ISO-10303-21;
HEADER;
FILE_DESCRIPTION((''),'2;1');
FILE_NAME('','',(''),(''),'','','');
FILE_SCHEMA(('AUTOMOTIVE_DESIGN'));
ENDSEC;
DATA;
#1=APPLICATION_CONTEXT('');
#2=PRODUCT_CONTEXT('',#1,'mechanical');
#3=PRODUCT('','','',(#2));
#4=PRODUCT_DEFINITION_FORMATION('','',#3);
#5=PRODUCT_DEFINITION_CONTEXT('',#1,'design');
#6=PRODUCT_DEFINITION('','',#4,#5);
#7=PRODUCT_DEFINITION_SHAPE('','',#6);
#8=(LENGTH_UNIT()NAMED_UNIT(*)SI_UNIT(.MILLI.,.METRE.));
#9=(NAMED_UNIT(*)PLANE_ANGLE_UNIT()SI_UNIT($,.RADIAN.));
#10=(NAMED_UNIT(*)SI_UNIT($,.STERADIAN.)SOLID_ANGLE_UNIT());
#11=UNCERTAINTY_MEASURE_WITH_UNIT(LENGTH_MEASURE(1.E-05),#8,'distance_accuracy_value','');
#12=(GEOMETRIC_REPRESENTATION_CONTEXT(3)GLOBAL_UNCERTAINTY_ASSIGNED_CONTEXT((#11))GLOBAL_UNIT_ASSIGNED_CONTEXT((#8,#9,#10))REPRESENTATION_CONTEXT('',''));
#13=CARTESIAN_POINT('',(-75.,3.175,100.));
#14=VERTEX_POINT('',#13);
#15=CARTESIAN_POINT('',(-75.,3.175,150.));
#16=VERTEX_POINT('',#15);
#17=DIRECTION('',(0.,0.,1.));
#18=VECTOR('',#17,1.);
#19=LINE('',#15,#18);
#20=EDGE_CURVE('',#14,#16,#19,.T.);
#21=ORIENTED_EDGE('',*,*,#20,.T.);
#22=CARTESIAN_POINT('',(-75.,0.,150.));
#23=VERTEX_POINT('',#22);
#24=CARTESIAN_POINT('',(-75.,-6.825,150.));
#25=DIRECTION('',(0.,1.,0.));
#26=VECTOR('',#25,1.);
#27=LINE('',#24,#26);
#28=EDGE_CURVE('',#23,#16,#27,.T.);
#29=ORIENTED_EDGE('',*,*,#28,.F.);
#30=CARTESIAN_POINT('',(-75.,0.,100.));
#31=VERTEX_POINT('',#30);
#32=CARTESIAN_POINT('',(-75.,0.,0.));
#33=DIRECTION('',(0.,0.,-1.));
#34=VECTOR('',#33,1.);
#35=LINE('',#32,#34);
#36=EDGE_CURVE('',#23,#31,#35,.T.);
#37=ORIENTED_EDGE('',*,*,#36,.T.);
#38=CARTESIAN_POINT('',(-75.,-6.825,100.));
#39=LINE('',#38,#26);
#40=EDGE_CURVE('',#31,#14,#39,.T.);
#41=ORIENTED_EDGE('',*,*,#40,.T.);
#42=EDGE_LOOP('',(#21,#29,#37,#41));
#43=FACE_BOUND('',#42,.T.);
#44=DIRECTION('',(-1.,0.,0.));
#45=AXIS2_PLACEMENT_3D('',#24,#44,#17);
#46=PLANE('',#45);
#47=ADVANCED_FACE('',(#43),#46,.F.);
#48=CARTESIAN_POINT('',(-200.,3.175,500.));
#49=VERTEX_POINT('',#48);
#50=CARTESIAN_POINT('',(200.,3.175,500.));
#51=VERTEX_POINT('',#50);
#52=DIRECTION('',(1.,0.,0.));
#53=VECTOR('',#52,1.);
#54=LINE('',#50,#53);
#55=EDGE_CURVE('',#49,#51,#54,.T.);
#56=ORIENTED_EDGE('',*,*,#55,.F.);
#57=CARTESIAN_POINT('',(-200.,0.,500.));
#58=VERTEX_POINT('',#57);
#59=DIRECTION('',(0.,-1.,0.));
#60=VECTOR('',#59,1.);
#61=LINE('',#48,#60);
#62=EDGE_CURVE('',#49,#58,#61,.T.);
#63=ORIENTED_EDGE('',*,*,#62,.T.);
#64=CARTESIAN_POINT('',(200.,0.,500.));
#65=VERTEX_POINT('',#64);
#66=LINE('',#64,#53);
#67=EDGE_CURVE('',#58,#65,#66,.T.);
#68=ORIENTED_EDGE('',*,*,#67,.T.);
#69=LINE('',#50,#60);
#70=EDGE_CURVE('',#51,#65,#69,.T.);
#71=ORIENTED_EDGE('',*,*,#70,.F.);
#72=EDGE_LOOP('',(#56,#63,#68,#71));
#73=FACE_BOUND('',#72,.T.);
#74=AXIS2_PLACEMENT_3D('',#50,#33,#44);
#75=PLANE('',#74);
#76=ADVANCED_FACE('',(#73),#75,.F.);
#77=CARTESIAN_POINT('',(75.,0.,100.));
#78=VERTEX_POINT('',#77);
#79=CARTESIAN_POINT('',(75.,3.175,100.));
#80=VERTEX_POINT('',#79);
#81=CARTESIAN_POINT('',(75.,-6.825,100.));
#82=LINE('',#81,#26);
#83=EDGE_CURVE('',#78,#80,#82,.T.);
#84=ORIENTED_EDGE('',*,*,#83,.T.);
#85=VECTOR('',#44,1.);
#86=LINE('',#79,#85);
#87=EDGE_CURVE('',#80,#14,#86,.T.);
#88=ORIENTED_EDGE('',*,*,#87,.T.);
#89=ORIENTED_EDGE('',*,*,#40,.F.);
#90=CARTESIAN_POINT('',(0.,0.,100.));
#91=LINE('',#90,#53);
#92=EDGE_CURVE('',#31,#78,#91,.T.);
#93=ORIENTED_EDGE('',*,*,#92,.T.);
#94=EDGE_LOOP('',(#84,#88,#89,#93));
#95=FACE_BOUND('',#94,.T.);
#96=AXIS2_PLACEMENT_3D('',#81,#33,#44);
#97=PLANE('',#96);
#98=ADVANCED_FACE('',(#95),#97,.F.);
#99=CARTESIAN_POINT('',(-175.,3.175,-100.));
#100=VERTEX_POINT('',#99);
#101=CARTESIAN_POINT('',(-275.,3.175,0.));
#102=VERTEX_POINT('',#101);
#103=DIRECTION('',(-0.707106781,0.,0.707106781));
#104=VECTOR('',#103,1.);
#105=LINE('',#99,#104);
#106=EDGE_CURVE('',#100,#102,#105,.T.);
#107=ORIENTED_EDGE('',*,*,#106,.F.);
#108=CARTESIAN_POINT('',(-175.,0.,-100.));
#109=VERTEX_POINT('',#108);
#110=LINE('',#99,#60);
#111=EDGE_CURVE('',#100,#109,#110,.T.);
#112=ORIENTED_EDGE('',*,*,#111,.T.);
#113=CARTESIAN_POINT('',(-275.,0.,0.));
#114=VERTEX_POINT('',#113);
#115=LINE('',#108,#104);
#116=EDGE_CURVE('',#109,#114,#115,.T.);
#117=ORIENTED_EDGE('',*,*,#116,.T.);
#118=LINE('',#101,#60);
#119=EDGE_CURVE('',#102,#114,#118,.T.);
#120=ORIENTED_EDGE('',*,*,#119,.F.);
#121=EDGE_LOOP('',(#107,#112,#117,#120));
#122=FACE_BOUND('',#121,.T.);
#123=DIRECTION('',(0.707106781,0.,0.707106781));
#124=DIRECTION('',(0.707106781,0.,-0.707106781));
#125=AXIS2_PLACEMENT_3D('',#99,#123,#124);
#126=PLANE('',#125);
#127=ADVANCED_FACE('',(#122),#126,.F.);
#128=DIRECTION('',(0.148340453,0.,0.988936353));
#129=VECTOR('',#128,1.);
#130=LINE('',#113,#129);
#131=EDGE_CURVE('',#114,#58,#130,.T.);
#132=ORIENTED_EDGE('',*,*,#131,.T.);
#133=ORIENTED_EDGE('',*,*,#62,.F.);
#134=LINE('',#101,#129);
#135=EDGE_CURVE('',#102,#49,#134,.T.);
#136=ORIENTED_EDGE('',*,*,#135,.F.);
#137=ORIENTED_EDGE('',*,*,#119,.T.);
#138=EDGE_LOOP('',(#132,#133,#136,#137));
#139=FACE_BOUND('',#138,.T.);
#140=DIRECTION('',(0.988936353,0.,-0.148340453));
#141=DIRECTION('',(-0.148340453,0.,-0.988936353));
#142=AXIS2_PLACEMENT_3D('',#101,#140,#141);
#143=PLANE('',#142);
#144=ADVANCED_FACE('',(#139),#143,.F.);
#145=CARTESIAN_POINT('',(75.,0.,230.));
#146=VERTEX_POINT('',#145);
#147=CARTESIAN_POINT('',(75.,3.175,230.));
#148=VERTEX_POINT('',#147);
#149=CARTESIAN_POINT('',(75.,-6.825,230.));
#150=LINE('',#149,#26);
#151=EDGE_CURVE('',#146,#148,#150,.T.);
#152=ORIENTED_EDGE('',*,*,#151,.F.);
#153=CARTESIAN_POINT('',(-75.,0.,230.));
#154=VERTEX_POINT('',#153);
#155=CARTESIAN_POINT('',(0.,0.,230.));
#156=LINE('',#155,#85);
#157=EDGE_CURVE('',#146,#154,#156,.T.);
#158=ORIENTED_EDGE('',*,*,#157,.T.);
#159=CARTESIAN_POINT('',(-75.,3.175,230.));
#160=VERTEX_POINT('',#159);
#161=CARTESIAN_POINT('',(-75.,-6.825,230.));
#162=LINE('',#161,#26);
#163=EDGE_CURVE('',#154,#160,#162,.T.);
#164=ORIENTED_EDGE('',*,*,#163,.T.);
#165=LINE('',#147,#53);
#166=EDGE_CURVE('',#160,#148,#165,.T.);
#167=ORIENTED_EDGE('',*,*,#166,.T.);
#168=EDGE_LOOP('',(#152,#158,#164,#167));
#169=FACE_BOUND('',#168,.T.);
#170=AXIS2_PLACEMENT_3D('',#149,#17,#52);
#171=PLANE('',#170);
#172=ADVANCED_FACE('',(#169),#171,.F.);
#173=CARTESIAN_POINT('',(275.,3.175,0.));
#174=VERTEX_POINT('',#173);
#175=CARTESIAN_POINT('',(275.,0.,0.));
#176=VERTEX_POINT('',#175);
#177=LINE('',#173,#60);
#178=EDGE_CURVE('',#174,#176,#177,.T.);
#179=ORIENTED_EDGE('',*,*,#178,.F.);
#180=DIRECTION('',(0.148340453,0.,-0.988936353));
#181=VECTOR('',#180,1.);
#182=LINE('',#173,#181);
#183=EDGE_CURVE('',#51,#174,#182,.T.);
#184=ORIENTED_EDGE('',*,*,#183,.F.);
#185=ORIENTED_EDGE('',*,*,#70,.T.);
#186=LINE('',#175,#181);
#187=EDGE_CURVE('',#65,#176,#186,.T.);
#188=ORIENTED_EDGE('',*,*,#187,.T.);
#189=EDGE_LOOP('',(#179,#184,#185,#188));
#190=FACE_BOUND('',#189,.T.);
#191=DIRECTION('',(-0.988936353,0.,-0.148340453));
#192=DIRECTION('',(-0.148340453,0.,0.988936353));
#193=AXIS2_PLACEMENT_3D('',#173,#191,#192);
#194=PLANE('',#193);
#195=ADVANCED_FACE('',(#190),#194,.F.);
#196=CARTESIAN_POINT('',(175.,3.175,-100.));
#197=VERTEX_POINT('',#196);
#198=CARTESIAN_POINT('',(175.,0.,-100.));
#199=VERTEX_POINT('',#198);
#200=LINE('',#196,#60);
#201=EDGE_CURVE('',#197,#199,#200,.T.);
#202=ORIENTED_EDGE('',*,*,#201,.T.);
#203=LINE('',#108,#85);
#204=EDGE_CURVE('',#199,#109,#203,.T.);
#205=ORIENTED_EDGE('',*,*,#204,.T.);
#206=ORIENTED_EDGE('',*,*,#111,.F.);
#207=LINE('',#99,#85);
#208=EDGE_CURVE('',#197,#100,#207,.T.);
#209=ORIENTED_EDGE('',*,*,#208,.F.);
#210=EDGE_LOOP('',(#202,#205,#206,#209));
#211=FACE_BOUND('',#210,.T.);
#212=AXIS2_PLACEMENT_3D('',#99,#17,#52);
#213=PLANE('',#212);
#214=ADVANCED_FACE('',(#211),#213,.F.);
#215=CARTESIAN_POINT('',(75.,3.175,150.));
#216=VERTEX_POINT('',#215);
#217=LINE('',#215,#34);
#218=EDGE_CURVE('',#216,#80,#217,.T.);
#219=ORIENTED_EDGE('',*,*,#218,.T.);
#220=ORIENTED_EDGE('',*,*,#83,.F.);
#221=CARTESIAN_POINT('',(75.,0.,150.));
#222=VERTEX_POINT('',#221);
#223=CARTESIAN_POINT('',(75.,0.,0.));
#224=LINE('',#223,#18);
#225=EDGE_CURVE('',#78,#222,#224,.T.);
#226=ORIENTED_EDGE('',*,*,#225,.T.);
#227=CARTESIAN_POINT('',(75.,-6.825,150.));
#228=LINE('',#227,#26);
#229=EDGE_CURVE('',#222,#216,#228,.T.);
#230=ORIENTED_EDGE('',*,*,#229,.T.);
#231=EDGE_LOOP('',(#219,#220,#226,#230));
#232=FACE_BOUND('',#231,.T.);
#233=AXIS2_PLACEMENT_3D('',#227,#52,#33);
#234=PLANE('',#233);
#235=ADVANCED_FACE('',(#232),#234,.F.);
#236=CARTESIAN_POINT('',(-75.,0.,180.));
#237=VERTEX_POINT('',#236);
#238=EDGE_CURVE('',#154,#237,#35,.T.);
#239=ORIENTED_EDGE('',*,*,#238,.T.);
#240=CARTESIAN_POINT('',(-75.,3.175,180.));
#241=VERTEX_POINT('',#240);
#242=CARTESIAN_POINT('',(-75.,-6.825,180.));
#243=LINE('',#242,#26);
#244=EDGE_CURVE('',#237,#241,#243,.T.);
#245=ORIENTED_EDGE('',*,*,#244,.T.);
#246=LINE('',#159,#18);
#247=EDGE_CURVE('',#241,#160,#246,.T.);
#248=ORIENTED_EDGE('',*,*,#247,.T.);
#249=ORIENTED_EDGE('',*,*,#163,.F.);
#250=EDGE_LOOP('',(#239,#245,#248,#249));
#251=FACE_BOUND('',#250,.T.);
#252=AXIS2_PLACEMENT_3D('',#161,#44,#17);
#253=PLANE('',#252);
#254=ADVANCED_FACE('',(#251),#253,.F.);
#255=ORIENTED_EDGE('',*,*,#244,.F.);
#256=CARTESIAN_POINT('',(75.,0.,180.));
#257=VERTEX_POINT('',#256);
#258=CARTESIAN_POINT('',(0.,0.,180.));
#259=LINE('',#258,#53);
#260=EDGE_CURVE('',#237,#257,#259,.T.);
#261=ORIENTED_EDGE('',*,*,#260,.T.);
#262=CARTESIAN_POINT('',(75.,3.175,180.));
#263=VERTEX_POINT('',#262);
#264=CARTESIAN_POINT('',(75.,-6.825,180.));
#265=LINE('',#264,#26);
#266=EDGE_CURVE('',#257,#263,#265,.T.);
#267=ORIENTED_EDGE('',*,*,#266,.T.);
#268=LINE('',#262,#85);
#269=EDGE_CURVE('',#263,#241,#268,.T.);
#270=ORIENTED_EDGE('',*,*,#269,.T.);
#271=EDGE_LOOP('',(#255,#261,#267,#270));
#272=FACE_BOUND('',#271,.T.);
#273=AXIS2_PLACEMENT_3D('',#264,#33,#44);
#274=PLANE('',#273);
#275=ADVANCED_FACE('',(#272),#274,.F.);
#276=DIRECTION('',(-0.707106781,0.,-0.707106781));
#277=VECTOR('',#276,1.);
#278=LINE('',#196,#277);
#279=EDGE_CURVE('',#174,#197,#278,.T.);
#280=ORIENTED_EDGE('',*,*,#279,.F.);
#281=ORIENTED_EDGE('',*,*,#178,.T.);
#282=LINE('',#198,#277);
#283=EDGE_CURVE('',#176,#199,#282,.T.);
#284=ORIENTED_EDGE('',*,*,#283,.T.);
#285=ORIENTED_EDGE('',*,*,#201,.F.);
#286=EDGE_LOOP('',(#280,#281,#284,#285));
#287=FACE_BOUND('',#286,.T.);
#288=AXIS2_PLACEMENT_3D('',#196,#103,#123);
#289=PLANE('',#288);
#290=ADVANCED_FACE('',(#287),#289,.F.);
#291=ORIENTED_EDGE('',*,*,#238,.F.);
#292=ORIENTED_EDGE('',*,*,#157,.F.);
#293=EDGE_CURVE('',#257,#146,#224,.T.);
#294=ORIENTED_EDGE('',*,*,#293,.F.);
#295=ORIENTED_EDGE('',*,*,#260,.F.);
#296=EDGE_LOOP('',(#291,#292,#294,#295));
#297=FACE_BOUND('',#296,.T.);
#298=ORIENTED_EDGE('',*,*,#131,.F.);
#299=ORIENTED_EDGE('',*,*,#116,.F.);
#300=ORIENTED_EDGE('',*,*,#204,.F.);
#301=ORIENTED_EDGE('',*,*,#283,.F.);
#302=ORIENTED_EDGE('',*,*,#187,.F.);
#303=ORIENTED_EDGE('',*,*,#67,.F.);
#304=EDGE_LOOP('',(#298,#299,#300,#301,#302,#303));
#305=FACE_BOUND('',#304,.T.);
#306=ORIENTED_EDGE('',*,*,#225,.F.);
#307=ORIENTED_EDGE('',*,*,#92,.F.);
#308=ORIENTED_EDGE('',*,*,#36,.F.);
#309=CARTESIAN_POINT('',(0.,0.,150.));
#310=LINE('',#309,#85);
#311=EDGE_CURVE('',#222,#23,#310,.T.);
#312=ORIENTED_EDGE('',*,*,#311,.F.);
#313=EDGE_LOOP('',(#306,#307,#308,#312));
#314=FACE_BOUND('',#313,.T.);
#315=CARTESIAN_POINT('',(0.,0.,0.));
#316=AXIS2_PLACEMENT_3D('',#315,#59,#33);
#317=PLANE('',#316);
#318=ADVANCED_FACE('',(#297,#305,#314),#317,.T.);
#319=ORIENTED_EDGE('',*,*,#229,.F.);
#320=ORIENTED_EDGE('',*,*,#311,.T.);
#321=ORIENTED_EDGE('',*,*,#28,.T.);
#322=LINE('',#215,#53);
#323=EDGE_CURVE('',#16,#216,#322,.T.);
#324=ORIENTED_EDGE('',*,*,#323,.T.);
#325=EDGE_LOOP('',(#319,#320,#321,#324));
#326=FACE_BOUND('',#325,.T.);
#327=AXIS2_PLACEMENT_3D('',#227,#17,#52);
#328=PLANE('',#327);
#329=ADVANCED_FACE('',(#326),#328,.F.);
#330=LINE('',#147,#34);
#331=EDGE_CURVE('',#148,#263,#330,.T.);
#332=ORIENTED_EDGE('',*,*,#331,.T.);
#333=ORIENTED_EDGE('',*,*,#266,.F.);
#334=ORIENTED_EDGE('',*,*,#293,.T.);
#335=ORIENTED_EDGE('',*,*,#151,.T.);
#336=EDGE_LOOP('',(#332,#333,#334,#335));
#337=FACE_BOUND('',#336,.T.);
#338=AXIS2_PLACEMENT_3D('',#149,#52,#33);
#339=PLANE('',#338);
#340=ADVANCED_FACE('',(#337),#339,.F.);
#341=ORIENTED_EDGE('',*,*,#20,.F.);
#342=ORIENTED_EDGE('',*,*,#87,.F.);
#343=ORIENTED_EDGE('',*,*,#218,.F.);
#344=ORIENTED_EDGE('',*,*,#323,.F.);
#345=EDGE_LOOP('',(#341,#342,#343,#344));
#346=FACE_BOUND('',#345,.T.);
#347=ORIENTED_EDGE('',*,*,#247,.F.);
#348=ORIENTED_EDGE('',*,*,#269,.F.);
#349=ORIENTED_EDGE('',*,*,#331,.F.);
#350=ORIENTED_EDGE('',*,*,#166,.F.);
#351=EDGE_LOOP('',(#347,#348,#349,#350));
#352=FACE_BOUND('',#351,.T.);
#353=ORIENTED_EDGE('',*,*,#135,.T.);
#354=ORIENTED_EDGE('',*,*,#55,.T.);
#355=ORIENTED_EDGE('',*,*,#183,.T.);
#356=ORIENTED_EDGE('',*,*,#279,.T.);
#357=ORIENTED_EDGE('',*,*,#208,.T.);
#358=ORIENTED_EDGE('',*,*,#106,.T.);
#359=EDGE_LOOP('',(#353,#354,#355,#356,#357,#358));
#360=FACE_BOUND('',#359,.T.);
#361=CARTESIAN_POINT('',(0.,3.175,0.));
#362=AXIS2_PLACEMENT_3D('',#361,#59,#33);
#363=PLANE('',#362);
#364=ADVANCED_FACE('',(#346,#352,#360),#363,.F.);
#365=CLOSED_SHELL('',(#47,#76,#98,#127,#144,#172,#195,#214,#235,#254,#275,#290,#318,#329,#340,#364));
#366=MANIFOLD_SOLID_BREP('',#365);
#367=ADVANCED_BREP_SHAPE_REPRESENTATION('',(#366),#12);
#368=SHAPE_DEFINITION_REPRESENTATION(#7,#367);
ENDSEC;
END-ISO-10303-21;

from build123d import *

# Parameters (mm, degrees)
BOSS_EXTRUDE1_DEPTH = 3.175
SKETCH2_W           = 150
SKETCH2_H           = 50
CUT_EXTRUDE1_DEPTH  = 10


with BuildPart() as part:
    # Sketch1 → Boss-Extrude1 (new body)
    with BuildSketch(Plane(origin=(0, 0, 0), x_dir=(1, 0, 0), z_dir=(0, 1, 0))):
        Polygon((-175, 100), (175, 100), (275, 0), (200, -500), (-200, -500), (-275, 0), align=None)
    extrude(amount=BOSS_EXTRUDE1_DEPTH)

    # Sketch2 → Cut-Extrude1 (cut)
    with BuildSketch(Plane(origin=(0, 3.175, 0), x_dir=(1, 0, 0), z_dir=(0, 1, 0))):
        with Locations((0, -205)):
            Rectangle(SKETCH2_W, SKETCH2_H)
        with Locations((0, -125)):
            Rectangle(SKETCH2_W, SKETCH2_H)
    extrude(amount=-CUT_EXTRUDE1_DEPTH, mode=Mode.SUBTRACT)


solid = part.part
